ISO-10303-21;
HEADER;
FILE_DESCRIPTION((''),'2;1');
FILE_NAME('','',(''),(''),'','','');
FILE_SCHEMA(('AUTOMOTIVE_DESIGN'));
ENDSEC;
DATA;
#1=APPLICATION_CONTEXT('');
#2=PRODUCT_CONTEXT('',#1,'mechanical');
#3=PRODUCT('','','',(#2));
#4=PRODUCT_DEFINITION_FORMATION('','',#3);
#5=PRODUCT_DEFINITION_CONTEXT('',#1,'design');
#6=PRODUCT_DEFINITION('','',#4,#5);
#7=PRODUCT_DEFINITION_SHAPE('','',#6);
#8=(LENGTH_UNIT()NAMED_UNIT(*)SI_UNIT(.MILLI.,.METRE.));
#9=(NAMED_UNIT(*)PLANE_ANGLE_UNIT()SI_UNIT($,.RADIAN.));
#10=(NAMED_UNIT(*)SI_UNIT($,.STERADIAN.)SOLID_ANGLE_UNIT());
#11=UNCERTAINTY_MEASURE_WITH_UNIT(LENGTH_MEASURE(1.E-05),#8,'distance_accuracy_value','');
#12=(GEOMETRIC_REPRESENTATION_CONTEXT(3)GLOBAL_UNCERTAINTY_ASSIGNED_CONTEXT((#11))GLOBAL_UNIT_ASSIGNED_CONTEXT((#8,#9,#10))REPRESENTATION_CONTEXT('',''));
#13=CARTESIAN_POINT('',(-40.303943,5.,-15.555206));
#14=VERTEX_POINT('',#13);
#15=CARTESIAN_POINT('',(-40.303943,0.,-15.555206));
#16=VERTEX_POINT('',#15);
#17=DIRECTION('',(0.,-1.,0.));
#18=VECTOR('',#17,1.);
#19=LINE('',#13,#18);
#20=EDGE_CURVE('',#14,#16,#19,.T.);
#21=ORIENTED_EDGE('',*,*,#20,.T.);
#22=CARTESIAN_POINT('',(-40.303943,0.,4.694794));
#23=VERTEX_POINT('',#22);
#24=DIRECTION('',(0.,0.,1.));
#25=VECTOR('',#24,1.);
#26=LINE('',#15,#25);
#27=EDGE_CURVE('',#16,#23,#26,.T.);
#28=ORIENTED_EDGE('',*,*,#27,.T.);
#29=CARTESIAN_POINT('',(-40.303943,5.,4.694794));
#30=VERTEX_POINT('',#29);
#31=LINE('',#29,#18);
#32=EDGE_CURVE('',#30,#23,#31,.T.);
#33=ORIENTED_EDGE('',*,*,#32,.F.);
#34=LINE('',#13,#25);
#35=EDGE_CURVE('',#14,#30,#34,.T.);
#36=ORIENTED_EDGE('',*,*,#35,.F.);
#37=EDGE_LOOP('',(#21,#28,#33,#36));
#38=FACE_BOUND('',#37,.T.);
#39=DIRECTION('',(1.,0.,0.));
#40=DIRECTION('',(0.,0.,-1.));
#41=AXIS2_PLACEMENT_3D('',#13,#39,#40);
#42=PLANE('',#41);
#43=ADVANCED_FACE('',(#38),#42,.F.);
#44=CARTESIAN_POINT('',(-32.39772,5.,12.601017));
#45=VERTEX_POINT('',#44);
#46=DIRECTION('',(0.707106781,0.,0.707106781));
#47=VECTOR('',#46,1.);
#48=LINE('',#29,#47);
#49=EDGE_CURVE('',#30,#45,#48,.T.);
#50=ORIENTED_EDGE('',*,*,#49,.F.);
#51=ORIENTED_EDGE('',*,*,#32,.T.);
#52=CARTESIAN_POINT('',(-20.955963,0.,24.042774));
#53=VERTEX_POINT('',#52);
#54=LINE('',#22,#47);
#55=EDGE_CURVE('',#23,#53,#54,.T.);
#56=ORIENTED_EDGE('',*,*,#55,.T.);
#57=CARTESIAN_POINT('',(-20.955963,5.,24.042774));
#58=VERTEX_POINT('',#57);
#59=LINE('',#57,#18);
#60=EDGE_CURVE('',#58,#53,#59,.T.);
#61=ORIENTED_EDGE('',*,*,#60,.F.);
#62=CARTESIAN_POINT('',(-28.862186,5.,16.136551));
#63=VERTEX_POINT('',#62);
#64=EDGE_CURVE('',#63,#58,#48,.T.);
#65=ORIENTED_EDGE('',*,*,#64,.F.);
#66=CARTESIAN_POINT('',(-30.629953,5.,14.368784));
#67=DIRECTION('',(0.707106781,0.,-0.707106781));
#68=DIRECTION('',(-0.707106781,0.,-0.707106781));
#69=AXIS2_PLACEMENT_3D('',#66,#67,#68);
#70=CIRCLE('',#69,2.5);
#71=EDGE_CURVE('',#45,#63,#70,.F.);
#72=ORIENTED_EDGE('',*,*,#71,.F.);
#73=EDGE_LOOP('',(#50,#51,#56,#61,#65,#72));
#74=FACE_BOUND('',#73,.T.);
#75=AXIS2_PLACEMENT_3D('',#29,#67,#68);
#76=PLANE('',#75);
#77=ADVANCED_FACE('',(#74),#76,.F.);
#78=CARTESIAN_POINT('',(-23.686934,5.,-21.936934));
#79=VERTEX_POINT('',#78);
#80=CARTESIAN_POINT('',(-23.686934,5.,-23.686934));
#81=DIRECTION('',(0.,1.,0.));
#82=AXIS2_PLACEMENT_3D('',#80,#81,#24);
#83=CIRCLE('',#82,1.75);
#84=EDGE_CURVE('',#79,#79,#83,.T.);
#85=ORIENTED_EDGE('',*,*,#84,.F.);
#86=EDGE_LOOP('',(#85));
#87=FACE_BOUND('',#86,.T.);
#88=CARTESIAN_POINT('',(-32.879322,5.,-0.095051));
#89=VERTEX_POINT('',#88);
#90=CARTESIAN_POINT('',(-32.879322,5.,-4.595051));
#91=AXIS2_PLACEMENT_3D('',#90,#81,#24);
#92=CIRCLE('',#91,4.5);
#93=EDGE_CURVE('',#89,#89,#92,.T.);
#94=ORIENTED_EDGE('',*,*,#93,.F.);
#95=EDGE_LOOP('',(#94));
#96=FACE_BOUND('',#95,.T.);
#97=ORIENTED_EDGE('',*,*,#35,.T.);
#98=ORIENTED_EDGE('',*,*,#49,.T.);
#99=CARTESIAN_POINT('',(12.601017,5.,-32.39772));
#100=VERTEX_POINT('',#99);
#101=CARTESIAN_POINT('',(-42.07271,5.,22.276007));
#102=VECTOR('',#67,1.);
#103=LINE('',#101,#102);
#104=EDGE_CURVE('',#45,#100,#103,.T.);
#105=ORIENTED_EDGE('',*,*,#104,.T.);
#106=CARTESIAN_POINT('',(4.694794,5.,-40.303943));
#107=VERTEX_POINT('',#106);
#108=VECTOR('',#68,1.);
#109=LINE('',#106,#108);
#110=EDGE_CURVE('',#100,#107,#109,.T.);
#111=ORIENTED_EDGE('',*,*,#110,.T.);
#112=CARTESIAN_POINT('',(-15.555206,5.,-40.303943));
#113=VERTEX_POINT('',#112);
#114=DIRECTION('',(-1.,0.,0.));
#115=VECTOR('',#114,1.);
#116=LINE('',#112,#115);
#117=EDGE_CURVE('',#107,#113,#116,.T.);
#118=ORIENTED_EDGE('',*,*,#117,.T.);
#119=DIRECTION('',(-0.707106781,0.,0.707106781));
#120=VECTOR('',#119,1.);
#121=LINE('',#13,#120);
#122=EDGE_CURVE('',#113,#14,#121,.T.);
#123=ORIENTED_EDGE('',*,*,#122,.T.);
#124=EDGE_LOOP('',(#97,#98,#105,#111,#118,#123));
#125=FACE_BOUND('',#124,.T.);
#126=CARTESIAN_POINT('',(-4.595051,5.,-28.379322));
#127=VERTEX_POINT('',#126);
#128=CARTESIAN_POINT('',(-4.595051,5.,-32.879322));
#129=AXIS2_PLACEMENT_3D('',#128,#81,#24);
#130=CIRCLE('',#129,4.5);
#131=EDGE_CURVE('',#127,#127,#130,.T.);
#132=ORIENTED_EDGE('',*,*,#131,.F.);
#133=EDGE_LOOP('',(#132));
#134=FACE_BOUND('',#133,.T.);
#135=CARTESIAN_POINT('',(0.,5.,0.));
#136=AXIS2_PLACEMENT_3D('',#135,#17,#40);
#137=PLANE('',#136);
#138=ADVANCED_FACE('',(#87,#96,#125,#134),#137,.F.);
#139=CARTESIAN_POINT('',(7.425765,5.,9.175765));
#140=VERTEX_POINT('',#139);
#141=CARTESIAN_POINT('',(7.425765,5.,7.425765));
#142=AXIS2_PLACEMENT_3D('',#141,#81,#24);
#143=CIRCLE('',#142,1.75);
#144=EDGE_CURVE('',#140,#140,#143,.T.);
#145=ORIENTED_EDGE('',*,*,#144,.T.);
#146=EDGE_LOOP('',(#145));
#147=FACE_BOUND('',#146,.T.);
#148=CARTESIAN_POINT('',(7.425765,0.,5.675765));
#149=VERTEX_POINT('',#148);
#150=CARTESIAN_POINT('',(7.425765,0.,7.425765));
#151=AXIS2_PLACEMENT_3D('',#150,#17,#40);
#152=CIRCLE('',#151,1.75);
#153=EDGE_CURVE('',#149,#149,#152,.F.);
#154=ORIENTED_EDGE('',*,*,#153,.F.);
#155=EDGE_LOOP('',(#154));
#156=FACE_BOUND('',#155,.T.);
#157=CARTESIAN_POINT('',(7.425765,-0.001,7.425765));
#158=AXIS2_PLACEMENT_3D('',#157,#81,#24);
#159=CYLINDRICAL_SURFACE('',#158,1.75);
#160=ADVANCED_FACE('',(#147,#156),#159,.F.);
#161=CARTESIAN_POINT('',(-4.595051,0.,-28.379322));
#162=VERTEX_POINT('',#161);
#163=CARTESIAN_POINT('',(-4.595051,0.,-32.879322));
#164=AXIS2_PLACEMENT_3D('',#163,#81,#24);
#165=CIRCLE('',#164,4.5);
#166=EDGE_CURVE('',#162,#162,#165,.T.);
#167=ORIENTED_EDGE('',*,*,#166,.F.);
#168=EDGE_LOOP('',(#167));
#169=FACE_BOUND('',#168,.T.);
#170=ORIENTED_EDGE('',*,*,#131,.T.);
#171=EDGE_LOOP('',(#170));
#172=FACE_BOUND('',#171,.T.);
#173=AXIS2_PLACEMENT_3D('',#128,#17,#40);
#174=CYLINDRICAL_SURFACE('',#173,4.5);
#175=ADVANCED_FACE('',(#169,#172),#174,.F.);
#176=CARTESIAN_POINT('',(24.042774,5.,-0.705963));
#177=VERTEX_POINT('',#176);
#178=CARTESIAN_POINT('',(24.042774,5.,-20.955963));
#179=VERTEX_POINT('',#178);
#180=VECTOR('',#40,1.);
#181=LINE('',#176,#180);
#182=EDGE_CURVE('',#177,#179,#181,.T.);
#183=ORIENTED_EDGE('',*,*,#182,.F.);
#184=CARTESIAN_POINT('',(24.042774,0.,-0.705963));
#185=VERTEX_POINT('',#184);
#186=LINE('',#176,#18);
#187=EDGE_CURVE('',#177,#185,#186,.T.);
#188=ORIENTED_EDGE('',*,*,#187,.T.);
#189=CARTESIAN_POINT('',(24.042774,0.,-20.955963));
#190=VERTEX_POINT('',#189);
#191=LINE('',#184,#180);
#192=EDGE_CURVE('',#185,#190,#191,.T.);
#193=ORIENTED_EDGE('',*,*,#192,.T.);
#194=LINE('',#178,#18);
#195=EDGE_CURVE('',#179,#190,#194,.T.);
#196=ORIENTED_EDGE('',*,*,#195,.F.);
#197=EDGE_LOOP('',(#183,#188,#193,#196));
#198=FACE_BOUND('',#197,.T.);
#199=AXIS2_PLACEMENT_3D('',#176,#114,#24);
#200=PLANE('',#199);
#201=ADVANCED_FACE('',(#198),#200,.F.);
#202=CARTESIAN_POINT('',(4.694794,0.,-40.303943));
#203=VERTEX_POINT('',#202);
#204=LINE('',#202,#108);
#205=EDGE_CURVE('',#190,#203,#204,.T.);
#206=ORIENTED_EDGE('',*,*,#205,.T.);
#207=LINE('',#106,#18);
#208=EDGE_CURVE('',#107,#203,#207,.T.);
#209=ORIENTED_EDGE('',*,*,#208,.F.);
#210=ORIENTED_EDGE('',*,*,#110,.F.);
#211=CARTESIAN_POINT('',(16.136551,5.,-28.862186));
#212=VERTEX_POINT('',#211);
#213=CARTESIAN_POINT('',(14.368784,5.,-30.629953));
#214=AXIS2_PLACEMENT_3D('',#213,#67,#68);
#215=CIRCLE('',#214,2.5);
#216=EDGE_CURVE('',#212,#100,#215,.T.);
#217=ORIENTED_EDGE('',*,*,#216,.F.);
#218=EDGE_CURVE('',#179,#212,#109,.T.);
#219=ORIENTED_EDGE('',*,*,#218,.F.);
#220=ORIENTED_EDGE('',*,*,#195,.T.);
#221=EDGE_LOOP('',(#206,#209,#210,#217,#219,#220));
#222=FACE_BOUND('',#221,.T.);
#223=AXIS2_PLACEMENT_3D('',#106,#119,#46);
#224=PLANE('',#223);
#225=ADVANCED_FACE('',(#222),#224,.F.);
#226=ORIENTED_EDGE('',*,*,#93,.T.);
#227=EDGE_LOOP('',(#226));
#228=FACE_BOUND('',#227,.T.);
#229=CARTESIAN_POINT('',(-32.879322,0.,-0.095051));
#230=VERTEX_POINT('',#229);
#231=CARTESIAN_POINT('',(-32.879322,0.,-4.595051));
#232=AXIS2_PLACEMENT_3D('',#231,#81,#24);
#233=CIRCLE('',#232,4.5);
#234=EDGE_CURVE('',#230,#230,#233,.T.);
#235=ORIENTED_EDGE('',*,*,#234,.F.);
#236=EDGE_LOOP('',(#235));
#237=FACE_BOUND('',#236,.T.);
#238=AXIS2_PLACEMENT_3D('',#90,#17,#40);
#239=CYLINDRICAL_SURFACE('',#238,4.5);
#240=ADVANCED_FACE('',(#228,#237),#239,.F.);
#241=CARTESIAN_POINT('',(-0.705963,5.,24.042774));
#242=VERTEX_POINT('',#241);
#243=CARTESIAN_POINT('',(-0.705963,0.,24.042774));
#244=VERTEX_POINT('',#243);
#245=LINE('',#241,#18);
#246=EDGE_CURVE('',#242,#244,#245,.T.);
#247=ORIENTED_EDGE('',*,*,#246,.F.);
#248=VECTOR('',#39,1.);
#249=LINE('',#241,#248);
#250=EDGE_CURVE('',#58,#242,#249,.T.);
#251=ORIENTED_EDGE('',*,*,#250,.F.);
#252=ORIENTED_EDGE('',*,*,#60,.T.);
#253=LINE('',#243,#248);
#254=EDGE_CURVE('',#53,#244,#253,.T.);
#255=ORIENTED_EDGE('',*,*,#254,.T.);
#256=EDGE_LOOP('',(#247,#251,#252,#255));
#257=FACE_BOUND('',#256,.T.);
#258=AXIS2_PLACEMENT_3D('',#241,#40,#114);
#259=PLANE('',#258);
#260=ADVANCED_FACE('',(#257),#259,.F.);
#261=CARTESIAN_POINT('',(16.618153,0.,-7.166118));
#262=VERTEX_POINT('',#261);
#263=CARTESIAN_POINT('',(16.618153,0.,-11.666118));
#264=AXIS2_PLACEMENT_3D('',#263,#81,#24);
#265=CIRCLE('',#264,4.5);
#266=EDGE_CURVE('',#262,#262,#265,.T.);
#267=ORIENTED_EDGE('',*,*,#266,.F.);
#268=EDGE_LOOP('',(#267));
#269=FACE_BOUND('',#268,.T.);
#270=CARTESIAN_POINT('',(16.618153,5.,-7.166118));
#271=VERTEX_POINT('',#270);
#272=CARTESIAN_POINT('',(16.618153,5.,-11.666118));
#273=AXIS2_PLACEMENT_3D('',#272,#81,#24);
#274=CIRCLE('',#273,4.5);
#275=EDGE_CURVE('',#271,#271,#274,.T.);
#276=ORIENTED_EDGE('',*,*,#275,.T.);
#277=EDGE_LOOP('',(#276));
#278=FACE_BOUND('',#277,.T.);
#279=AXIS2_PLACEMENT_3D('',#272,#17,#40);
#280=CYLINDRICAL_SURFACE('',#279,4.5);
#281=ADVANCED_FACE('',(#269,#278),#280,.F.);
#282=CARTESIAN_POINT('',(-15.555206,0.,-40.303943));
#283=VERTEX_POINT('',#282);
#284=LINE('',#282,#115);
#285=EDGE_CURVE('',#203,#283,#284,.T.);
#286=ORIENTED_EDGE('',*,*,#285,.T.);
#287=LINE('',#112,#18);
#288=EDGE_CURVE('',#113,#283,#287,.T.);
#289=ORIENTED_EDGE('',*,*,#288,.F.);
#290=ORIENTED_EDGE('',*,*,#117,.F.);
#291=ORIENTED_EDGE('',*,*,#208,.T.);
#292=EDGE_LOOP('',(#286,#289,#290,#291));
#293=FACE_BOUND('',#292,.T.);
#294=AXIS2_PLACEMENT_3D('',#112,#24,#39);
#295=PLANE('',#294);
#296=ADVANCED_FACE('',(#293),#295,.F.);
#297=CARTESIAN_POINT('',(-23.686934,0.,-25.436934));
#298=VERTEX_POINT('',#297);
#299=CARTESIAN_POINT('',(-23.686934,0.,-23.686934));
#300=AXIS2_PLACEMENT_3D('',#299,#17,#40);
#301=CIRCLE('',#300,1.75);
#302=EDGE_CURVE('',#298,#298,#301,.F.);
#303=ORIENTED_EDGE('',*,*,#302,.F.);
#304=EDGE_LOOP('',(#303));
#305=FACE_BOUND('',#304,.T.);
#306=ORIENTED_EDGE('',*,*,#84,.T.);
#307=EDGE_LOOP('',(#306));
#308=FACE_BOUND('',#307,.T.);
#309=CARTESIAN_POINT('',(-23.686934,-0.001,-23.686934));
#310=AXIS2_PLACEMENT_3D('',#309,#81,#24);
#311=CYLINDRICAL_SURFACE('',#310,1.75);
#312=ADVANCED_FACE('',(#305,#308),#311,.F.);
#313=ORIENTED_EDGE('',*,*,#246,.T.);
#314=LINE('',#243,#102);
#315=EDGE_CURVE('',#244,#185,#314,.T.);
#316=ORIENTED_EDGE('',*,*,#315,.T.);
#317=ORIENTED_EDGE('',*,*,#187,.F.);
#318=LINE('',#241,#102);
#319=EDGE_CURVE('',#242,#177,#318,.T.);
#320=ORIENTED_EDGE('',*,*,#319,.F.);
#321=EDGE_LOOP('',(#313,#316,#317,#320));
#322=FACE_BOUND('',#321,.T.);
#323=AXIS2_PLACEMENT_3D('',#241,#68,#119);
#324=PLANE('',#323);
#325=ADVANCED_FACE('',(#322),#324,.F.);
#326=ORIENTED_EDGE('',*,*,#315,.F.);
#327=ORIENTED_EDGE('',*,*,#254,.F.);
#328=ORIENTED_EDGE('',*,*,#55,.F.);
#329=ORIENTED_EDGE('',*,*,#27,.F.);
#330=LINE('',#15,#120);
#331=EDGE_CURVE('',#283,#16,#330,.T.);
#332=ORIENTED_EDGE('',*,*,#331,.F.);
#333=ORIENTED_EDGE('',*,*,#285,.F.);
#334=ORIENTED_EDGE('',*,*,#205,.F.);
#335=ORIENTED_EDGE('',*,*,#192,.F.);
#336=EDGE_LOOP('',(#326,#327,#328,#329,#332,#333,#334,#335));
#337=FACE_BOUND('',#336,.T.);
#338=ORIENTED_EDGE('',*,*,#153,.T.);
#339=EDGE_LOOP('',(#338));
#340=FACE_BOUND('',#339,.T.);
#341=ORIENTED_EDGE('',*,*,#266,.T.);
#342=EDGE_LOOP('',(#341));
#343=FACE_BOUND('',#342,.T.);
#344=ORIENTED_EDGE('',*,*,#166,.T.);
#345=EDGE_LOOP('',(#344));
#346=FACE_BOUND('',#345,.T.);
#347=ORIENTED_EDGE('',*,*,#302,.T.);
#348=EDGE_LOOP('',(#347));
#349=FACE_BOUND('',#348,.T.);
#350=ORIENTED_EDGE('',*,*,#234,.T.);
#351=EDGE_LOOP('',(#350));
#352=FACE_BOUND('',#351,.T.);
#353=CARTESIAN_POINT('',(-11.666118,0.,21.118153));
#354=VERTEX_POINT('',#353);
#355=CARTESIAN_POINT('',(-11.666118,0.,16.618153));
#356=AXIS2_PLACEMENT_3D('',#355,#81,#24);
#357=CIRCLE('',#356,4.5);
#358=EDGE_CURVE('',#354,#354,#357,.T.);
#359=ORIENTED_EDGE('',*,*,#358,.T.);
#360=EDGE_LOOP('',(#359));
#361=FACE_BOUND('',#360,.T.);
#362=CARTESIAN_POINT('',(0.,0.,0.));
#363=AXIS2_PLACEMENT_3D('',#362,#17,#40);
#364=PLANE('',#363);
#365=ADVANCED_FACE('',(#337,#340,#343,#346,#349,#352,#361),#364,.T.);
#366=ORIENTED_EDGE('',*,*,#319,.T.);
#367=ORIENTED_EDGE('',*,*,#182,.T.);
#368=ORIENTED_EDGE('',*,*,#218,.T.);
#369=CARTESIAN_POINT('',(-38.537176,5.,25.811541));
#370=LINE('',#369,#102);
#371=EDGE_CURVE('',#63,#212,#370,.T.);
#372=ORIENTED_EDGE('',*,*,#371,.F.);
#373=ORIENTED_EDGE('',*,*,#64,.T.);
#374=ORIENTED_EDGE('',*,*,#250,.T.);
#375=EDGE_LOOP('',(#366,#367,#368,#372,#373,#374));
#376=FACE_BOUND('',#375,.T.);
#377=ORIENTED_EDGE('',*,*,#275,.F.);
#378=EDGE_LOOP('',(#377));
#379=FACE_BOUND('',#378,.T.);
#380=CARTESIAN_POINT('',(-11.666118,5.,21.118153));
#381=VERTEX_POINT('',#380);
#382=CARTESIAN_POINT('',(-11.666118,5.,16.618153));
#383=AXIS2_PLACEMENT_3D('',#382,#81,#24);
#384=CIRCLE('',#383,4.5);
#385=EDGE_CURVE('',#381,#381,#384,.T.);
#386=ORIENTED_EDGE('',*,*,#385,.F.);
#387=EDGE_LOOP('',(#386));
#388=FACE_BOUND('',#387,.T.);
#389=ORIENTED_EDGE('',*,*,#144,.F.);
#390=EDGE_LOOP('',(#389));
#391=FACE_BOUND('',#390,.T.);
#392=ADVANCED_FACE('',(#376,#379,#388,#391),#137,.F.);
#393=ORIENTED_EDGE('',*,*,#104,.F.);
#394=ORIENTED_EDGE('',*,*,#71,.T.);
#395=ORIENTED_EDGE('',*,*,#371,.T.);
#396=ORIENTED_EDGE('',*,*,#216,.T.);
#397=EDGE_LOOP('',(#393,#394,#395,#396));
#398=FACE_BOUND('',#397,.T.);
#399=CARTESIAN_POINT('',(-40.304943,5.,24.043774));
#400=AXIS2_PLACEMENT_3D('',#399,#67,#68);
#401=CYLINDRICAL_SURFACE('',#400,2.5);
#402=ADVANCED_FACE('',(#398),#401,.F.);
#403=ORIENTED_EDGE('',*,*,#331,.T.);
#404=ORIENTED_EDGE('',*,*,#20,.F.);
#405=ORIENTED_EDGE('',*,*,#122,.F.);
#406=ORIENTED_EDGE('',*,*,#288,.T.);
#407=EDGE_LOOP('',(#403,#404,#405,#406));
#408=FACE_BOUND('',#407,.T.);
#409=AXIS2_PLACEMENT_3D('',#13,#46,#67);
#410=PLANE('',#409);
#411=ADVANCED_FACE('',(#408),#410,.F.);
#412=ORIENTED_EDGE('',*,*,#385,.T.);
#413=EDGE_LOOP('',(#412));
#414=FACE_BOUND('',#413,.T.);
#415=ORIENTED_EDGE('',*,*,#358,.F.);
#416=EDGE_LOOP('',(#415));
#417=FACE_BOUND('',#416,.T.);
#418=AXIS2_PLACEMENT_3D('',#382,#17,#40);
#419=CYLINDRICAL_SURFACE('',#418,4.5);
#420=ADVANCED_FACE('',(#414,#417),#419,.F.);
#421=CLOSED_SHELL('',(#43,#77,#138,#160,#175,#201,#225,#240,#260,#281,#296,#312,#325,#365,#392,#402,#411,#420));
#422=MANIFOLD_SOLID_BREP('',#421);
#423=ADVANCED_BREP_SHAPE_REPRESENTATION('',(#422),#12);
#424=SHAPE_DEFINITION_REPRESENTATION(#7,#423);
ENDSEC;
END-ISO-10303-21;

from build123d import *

# Parameters (mm, degrees)
SKETCH1_R           = 4.5
BOSS_EXTRUDE1_DEPTH = 5
CUT_EXTRUDE1_REACH  = 80.329
CUT_EXTRUDE3_REACH  = 59.217
SKETCH6_R           = 1.75


with BuildPart() as part:
    # Sketch1 → Boss-Extrude1 (new body)
    with BuildSketch(Plane(origin=(0, 0, 0), x_dir=(1, 0, 0), z_dir=(0, 1, 0))):
        Polygon((-40.303943114, 15.555205773), (-15.555205773, 40.303943114), (4.694794227, 40.303943114), (24.042773974, 20.955963368), (24.042773974, 0.705963368), (-0.705963368, -24.042773974), (-20.955963368, -24.042773974), (-40.303943114, -4.694794227), align=None)
        with Locations(Location((-11.666118476, -16.618152771, 0), (0, 0, 270))):
            Circle(SKETCH1_R, mode=Mode.SUBTRACT)
        with Locations(Location((16.618152771, 11.666118476, 0), (0, 0, 270))):
            Circle(SKETCH1_R, mode=Mode.SUBTRACT)
        with Locations(Location((-4.595050664, 32.879321912, 0), (0, 0, 270))):
            Circle(SKETCH1_R, mode=Mode.SUBTRACT)
        with Locations(Location((-32.879321912, 4.595050664, 0), (0, 0, 270))):
            Circle(SKETCH1_R, mode=Mode.SUBTRACT)
    extrude(amount=BOSS_EXTRUDE1_DEPTH)

    # Sketch4 → Cut-Extrude1 (cut, up to next)
    with BuildSketch(Plane(origin=(22.499368671, 0, -22.499368671), x_dir=(-0.7071067811865465, 0, -0.7071067811865487), z_dir=(0.7071067811865487, 0, -0.7071067811865465)), mode=Mode.PRIVATE) as cut_extrude1_sk1:
        with BuildLine():
            Line((13.998382969, 5), (8.998382969, 5))
            ThreePointArc((8.998382969, 5), (11.498382969, 2.5), (13.998382969, 5))
        make_face()
    cut_extrude1_tool1 = extrude(cut_extrude1_sk1.sketch, amount=-CUT_EXTRUDE1_REACH, mode=Mode.PRIVATE) & part.part
    add(cut_extrude1_tool1.solids().sort_by_distance((14.368784, 3.938967, -30.629953))[0], mode=Mode.SUBTRACT)

    # Sketch6 → Cut-Extrude3 (cut, up to next)
    with BuildSketch(Plane(origin=(0, 5, 0), x_dir=(1, 0, 0), z_dir=(0, 1, 0)), mode=Mode.PRIVATE) as cut_extrude3_sk1:
        with Locations(Location((-23.686933757, 23.686933757, 0), (0, 0, 270))):
            Circle(SKETCH6_R)
    cut_extrude3_tool1 = extrude(cut_extrude3_sk1.sketch, amount=-CUT_EXTRUDE3_REACH, mode=Mode.PRIVATE) & part.part
    # Sketch6 → Cut-Extrude3 (cut, up to next)
    with BuildSketch(Plane(origin=(0, 5, 0), x_dir=(1, 0, 0), z_dir=(0, 1, 0)), mode=Mode.PRIVATE) as cut_extrude3_sk2:
        with Locations(Location((7.425764616, -7.425764616, 0), (0, 0, 270))):
            Circle(SKETCH6_R)
    cut_extrude3_tool2 = extrude(cut_extrude3_sk2.sketch, amount=-CUT_EXTRUDE3_REACH, mode=Mode.PRIVATE) & part.part
    add(cut_extrude3_tool1.solids().sort_by_distance((-23.686934, 5, -23.686934))[0], mode=Mode.SUBTRACT)
    add(cut_extrude3_tool2.solids().sort_by_distance((7.425765, 5, 7.425765))[0], mode=Mode.SUBTRACT)


solid = part.part
